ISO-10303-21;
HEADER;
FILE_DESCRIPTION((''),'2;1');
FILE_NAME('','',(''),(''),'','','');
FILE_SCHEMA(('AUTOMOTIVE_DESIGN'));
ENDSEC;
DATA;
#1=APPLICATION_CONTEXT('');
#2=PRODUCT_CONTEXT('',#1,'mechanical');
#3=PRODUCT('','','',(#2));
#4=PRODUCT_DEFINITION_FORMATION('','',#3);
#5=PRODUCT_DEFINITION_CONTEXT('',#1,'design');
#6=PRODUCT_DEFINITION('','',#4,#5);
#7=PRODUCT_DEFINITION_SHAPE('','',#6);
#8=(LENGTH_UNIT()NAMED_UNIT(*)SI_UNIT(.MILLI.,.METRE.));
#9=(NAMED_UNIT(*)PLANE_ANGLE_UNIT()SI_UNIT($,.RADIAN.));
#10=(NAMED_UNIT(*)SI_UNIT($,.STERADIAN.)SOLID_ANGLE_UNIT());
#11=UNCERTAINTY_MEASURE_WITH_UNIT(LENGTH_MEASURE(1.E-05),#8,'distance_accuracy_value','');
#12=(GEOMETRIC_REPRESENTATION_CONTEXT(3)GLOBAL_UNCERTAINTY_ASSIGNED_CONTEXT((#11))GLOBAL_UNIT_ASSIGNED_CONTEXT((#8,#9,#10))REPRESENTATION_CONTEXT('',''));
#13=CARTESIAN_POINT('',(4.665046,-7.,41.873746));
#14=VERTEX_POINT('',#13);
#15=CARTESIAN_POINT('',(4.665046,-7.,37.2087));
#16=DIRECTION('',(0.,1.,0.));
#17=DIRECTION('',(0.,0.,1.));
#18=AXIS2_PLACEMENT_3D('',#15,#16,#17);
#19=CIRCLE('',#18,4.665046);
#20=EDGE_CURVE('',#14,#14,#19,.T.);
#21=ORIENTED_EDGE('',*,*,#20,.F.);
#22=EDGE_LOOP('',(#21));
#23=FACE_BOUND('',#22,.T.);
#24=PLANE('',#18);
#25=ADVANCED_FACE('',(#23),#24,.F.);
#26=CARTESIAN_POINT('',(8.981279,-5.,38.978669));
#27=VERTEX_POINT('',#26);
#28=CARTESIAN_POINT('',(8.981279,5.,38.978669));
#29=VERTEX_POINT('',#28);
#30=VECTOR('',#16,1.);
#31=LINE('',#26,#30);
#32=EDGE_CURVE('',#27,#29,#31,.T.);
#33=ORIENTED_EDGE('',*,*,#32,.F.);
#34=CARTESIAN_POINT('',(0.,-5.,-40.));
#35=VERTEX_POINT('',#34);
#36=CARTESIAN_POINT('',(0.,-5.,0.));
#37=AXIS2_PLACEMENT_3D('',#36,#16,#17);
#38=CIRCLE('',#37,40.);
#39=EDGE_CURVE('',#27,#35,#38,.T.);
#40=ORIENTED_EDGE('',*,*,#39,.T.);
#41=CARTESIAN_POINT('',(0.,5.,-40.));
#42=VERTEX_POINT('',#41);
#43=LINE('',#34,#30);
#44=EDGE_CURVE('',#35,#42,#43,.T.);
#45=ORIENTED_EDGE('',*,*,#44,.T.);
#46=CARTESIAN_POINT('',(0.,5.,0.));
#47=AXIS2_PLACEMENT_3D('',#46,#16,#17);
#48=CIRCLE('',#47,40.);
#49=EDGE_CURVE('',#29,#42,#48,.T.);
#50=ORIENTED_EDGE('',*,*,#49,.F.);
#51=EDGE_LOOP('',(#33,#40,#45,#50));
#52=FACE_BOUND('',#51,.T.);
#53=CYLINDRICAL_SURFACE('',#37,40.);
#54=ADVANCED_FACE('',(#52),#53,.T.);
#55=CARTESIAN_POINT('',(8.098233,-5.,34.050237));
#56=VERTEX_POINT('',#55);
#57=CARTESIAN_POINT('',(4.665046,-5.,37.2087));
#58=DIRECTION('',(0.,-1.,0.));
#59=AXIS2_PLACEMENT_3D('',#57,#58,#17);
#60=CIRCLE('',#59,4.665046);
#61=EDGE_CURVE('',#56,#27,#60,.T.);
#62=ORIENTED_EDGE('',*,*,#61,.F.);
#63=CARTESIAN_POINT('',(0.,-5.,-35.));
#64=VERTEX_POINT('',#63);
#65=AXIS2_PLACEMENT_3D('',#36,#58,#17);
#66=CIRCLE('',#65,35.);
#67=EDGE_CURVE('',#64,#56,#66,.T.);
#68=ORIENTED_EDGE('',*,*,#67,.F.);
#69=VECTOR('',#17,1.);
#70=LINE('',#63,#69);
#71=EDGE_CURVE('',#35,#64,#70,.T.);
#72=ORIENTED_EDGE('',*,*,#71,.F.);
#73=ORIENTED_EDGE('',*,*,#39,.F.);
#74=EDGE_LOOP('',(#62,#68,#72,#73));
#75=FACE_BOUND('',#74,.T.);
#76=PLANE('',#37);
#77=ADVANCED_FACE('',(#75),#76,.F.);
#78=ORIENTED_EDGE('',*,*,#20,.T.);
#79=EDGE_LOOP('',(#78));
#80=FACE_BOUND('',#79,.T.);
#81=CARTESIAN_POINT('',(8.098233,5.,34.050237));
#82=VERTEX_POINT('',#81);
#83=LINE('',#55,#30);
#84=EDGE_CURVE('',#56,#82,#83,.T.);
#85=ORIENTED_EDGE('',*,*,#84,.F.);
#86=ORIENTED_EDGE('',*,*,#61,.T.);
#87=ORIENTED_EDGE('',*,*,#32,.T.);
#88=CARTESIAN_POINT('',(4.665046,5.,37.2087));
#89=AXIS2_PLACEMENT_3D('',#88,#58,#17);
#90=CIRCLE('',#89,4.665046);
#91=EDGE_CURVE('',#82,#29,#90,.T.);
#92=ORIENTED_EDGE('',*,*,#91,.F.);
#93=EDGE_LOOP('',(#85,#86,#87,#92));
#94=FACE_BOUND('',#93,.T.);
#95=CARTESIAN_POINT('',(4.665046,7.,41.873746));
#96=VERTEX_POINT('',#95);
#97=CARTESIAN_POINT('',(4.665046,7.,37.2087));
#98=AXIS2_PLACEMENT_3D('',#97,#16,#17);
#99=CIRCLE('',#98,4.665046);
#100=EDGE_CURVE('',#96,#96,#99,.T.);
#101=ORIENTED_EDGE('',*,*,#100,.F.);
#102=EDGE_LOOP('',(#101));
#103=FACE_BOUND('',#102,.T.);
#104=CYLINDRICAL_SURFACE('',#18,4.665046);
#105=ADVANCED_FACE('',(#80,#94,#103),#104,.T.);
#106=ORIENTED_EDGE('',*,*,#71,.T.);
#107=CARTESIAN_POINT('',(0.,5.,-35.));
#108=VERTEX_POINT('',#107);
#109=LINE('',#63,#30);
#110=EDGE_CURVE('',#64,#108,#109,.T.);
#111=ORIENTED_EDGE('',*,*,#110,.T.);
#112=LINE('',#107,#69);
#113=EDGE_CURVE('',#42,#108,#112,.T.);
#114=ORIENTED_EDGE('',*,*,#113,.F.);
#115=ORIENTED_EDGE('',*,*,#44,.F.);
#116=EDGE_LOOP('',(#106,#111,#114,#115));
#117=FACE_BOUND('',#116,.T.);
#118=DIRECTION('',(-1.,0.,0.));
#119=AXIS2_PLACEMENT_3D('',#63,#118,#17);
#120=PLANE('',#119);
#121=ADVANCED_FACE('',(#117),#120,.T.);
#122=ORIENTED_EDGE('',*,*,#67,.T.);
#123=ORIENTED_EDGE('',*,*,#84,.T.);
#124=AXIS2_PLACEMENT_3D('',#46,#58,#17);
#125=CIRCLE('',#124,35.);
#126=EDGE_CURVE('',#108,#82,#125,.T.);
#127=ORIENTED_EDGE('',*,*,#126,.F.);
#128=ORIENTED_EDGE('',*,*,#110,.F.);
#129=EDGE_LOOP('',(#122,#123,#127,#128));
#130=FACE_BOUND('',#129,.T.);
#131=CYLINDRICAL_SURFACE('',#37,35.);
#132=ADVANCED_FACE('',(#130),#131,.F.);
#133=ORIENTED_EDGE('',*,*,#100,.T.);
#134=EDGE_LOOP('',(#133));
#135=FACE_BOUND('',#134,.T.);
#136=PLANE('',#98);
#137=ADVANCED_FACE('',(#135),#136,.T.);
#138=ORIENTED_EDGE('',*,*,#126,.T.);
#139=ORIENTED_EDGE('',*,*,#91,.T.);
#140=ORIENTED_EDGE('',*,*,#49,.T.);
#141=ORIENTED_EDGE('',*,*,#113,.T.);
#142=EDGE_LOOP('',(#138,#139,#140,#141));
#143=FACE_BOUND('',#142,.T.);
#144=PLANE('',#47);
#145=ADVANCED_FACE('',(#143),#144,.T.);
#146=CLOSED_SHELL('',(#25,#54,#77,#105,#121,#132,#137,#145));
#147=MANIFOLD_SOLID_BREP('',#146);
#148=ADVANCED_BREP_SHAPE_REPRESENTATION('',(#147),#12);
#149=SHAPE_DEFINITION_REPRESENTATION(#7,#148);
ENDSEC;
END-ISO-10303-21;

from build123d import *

# Parameters (mm, degrees)
EXTRUDE_2_DEPTH      = 7
EXTRUDE_2_DEPTH_BACK = 7
SKETCH_2_R           = 4.665046409
EXTRUDE_3_DEPTH      = 5
EXTRUDE_3_DEPTH_BACK = 5


with BuildPart() as part:
    # Эскиз2 → Бобышка-Вытянуть2 (new, two sides: drawn at the far end of the back side and taken through both)
    with BuildSketch(Plane(origin=(0, 0, 0), x_dir=(1, 0, 0), z_dir=(0, 1, 0)).offset(-EXTRUDE_2_DEPTH_BACK)):
        with Locations((4.665046409, -37.208699816)):
            Circle(SKETCH_2_R)
    extrude(amount=EXTRUDE_2_DEPTH + EXTRUDE_2_DEPTH_BACK)

    # Эскиз1 → Бобышка-Вытянуть3 (add, two sides: drawn at the far end of the back side and taken through both)
    with BuildSketch(Plane(origin=(0, 0, 0), x_dir=(1, 0, 0), z_dir=(0, 1, 0)).offset(-EXTRUDE_3_DEPTH_BACK)):
        with BuildLine():
            Line((0, 35), (0, 40))
            ThreePointArc((0, 40), (39.743847013, 4.519582352), (8.981279477, -38.978668768))
            ThreePointArc((8.981279477, -38.978668768), (9.256967162, -36.385947248), (8.098232861, -34.050236776))
            ThreePointArc((8.098232861, -34.050236776), (34.761748281, 4.076868457), (0, 35))
        make_face()
    extrude(amount=EXTRUDE_3_DEPTH + EXTRUDE_3_DEPTH_BACK)


solid = part.part
